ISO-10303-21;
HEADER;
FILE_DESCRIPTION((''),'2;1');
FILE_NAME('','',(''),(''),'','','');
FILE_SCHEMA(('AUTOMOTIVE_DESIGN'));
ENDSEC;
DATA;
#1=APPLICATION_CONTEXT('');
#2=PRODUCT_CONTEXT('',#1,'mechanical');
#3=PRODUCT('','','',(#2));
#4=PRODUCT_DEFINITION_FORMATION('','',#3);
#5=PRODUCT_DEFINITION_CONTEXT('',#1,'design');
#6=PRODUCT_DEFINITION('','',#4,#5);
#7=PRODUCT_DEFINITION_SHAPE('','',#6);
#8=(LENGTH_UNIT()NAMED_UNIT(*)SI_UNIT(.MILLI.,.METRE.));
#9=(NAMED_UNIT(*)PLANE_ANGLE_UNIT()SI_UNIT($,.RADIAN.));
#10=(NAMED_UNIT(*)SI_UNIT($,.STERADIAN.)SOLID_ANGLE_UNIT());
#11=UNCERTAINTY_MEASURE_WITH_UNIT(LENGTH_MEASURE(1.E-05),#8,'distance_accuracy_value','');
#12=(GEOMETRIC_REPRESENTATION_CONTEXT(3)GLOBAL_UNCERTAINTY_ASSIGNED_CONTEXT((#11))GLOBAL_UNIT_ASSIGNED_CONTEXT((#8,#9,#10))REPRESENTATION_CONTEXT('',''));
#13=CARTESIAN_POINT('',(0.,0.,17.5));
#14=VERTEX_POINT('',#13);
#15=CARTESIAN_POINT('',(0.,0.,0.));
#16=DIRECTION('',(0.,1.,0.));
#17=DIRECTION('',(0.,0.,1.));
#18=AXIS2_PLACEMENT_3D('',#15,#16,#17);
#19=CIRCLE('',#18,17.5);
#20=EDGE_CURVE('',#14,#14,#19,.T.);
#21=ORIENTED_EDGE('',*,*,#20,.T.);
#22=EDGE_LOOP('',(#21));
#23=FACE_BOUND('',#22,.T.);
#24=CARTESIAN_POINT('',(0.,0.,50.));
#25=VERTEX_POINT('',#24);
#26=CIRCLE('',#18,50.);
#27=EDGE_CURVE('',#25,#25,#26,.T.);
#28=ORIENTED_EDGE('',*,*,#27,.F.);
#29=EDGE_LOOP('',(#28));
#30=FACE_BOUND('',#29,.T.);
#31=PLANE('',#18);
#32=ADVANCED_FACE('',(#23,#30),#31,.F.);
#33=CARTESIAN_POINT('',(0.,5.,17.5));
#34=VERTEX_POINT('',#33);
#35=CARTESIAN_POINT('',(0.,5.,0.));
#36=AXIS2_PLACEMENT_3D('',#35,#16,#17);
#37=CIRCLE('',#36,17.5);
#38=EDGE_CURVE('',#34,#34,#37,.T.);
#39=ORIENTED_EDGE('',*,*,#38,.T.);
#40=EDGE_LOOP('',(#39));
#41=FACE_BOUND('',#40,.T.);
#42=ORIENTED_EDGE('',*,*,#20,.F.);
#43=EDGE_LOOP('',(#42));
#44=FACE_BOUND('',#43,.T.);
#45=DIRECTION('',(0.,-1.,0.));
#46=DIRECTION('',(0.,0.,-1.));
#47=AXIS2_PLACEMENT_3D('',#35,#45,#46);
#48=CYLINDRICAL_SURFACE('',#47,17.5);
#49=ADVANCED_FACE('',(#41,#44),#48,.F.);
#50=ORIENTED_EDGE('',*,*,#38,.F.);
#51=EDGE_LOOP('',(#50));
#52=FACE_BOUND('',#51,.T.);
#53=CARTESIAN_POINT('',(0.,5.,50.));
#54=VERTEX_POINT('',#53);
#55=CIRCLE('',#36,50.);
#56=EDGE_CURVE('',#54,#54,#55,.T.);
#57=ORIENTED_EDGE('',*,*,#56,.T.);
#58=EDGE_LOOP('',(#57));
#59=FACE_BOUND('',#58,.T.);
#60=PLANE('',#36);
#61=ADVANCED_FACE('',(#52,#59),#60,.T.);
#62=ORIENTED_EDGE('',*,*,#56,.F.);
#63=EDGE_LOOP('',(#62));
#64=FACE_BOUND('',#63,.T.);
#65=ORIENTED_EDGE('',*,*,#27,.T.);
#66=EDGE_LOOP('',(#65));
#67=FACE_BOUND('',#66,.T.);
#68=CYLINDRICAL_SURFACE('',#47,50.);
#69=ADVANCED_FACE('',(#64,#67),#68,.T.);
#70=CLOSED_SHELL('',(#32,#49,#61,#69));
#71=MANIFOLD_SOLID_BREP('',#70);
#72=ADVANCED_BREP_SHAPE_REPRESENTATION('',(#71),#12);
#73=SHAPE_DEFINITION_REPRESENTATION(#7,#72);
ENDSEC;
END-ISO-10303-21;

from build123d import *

# Parameters (mm, degrees)
SKETCH1_R           = 50
SKETCH1_R_2         = 17.5
BOSS_EXTRUDE1_DEPTH = 5


with BuildPart() as part:
    # Sketch1 → Boss-Extrude1 (new body)
    with BuildSketch(Plane(origin=(0, 0, 0), x_dir=(1, 0, 0), z_dir=(0, 1, 0))):
        Circle(SKETCH1_R)
        Circle(SKETCH1_R_2, mode=Mode.SUBTRACT)
    extrude(amount=BOSS_EXTRUDE1_DEPTH)


solid = part.part
